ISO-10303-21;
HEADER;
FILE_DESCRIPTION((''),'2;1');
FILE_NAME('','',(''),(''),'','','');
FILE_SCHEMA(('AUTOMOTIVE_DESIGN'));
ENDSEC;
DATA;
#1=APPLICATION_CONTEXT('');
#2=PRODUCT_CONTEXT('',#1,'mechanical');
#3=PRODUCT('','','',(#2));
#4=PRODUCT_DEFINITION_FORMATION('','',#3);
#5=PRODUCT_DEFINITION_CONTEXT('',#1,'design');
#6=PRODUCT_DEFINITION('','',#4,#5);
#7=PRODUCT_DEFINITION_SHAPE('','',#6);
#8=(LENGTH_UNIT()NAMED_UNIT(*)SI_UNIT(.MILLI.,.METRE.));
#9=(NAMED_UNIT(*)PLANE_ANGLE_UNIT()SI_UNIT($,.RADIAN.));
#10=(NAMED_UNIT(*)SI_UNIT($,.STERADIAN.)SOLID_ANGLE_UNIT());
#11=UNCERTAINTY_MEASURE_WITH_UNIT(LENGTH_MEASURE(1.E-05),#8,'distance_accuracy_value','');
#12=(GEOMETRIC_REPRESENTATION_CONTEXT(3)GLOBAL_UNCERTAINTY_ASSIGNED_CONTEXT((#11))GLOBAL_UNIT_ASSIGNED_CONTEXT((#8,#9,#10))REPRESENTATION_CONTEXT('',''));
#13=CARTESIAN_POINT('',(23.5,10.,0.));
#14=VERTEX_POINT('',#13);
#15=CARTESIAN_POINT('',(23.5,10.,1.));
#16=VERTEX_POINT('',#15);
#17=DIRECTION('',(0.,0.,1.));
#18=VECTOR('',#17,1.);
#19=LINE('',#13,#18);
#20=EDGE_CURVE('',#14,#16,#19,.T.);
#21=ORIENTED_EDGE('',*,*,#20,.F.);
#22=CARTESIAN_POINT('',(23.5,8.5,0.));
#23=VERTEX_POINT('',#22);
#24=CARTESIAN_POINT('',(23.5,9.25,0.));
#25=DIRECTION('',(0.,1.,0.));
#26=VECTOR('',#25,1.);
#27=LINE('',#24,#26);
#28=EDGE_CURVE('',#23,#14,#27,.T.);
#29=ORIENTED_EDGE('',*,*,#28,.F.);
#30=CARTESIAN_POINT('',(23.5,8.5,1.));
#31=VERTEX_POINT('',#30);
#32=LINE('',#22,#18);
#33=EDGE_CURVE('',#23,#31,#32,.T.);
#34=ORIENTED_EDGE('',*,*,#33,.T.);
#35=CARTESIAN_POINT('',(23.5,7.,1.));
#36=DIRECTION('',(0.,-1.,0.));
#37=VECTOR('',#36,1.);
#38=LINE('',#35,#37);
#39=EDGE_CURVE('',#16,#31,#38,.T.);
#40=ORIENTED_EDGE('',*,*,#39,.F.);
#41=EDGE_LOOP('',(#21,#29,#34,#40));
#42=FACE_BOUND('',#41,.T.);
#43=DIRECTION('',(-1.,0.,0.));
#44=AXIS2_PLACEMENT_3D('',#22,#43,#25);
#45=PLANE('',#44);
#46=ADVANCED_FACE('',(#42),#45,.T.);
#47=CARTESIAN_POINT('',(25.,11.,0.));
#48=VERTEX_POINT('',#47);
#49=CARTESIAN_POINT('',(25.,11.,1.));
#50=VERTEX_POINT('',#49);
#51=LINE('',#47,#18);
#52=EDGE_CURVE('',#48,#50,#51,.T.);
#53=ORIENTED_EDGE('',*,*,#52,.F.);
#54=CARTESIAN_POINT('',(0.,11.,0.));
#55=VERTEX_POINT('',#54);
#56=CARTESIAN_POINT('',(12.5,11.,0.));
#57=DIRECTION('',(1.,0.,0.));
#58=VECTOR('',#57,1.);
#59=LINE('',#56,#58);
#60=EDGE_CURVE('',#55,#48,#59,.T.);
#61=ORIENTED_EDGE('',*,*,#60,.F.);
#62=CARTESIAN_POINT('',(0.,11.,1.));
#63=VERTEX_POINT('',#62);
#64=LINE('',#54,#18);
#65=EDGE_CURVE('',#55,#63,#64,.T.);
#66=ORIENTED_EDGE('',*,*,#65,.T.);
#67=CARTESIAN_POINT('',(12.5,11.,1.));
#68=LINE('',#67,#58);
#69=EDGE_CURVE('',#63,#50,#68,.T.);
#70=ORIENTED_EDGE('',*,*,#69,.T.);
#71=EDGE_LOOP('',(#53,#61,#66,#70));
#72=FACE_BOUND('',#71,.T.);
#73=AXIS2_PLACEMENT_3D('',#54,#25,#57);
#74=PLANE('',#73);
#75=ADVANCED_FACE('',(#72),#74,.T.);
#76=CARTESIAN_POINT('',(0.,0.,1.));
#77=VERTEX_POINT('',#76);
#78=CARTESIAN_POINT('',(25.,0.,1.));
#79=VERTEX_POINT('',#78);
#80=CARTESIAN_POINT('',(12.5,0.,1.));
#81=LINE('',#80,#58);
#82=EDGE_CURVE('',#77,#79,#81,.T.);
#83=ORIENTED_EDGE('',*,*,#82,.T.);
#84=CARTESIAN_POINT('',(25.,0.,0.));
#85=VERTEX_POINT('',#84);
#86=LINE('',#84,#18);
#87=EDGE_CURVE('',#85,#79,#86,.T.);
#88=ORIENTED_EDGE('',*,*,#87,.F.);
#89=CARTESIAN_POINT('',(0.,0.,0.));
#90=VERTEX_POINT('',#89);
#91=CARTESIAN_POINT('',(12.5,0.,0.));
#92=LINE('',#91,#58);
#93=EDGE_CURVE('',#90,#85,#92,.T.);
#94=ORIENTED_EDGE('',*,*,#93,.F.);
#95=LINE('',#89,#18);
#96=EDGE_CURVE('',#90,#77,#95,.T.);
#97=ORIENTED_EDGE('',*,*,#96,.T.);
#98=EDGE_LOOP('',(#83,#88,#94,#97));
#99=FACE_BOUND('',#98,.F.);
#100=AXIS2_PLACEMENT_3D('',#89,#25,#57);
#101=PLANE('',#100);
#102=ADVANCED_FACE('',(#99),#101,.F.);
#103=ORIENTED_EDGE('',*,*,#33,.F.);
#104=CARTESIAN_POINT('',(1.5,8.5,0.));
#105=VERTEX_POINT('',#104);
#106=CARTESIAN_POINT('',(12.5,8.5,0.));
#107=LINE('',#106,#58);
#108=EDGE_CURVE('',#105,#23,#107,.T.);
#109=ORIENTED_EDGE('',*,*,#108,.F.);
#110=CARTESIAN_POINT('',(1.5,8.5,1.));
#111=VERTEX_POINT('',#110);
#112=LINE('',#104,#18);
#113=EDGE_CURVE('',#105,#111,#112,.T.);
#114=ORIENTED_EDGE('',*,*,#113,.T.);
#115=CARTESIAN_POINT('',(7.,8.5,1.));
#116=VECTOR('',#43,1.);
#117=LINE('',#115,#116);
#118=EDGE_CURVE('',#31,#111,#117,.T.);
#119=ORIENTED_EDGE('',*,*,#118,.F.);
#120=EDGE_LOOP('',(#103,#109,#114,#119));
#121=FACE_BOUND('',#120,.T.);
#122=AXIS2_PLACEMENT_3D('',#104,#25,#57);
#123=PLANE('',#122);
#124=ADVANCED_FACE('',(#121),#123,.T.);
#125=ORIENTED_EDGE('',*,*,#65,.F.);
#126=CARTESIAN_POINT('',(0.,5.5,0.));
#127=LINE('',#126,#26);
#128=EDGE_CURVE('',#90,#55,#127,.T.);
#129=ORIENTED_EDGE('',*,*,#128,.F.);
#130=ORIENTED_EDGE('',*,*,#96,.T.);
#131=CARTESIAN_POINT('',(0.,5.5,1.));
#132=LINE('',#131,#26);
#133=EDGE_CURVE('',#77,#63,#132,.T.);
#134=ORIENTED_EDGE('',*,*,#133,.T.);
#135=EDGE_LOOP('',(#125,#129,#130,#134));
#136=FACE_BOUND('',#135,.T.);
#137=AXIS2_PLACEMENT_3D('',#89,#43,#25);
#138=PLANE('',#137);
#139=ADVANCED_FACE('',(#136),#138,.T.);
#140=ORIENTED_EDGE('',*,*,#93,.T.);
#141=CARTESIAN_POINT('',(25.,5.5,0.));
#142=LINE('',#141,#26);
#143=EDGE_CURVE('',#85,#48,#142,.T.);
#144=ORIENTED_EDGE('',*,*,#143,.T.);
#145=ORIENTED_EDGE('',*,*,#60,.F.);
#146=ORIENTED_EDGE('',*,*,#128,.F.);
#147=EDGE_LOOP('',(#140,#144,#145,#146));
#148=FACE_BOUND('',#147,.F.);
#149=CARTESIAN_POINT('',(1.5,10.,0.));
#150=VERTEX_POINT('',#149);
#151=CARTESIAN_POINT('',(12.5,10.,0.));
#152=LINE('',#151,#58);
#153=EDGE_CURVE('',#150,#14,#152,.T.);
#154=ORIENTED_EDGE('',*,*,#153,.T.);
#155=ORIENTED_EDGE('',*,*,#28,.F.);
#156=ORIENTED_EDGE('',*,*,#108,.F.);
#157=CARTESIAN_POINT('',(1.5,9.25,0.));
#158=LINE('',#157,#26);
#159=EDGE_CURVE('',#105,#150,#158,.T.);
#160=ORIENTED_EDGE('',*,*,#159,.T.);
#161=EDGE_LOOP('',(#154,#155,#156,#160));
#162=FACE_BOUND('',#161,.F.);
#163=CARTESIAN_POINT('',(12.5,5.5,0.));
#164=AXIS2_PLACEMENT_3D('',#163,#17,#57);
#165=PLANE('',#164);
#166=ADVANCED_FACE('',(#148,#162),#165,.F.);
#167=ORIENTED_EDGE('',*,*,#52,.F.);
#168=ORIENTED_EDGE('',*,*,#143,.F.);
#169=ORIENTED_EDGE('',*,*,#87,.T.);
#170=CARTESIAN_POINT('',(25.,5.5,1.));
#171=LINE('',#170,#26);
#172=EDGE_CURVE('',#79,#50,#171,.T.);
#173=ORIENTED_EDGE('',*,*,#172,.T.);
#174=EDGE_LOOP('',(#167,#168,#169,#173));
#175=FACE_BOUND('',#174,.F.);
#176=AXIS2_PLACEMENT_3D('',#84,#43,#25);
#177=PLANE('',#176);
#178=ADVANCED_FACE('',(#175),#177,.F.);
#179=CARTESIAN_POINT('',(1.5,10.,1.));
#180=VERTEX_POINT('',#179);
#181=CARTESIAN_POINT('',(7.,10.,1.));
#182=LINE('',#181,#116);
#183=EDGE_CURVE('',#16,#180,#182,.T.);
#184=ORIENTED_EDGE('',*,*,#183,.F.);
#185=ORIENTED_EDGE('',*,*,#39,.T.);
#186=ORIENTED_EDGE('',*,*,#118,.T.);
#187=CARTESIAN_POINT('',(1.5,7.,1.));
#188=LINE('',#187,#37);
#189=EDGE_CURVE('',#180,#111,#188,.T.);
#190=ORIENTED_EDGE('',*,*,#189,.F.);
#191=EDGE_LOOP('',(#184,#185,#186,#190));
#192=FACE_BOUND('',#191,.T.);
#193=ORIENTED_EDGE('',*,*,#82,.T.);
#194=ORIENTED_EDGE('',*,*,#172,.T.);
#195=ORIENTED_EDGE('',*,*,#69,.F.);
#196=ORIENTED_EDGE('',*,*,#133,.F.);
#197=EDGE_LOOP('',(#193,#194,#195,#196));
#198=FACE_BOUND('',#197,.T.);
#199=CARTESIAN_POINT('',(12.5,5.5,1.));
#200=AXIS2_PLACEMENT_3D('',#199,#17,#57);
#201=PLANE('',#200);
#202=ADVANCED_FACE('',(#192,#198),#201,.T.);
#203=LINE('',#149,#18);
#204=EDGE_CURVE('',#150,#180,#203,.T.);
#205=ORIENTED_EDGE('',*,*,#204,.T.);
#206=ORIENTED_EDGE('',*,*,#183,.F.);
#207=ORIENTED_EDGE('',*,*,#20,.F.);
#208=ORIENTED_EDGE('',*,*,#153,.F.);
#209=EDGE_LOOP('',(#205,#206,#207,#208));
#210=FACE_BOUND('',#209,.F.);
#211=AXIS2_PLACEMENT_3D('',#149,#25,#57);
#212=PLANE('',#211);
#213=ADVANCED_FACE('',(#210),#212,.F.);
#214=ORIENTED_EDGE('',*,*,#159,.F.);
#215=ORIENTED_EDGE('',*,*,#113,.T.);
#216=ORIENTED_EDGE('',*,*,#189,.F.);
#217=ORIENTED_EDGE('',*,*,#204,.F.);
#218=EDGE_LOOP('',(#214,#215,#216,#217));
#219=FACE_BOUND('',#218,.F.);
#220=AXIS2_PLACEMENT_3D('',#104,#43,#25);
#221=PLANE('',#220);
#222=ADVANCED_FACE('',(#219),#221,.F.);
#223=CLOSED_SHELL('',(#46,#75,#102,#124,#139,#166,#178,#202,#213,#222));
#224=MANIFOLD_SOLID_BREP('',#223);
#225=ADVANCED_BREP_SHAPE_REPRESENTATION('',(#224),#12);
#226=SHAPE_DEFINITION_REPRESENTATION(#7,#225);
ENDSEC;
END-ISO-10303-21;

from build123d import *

# Parameters (mm, degrees)
BOX151_W     = 22
BOX151_H     = 1.5
BOX151_DEPTH = 2
BOX149_W     = 25
BOX149_H     = 11
BOX149_DEPTH = 1


with BuildPart() as longledhole011:
    # Box151 → Box151 (new body)
    with BuildSketch(Plane(origin=(1.5, 8.5, 0), x_dir=(1, 0, 0), z_dir=(0, 0, 1))):
        with Locations((11, 0.75)):
            Rectangle(BOX151_W, BOX151_H)
    extrude(amount=BOX151_DEPTH)


with BuildPart() as cut028:
    # Box149 → Box149 (new body)
    with BuildSketch(Plane.XY):
        with Locations((12.5, 5.5)):
            Rectangle(BOX149_W, BOX149_H)
    extrude(amount=BOX149_DEPTH)

    # Cut028: cut LongLedHole011
    add(longledhole011.part, mode=Mode.SUBTRACT)


solid = cut028.part
